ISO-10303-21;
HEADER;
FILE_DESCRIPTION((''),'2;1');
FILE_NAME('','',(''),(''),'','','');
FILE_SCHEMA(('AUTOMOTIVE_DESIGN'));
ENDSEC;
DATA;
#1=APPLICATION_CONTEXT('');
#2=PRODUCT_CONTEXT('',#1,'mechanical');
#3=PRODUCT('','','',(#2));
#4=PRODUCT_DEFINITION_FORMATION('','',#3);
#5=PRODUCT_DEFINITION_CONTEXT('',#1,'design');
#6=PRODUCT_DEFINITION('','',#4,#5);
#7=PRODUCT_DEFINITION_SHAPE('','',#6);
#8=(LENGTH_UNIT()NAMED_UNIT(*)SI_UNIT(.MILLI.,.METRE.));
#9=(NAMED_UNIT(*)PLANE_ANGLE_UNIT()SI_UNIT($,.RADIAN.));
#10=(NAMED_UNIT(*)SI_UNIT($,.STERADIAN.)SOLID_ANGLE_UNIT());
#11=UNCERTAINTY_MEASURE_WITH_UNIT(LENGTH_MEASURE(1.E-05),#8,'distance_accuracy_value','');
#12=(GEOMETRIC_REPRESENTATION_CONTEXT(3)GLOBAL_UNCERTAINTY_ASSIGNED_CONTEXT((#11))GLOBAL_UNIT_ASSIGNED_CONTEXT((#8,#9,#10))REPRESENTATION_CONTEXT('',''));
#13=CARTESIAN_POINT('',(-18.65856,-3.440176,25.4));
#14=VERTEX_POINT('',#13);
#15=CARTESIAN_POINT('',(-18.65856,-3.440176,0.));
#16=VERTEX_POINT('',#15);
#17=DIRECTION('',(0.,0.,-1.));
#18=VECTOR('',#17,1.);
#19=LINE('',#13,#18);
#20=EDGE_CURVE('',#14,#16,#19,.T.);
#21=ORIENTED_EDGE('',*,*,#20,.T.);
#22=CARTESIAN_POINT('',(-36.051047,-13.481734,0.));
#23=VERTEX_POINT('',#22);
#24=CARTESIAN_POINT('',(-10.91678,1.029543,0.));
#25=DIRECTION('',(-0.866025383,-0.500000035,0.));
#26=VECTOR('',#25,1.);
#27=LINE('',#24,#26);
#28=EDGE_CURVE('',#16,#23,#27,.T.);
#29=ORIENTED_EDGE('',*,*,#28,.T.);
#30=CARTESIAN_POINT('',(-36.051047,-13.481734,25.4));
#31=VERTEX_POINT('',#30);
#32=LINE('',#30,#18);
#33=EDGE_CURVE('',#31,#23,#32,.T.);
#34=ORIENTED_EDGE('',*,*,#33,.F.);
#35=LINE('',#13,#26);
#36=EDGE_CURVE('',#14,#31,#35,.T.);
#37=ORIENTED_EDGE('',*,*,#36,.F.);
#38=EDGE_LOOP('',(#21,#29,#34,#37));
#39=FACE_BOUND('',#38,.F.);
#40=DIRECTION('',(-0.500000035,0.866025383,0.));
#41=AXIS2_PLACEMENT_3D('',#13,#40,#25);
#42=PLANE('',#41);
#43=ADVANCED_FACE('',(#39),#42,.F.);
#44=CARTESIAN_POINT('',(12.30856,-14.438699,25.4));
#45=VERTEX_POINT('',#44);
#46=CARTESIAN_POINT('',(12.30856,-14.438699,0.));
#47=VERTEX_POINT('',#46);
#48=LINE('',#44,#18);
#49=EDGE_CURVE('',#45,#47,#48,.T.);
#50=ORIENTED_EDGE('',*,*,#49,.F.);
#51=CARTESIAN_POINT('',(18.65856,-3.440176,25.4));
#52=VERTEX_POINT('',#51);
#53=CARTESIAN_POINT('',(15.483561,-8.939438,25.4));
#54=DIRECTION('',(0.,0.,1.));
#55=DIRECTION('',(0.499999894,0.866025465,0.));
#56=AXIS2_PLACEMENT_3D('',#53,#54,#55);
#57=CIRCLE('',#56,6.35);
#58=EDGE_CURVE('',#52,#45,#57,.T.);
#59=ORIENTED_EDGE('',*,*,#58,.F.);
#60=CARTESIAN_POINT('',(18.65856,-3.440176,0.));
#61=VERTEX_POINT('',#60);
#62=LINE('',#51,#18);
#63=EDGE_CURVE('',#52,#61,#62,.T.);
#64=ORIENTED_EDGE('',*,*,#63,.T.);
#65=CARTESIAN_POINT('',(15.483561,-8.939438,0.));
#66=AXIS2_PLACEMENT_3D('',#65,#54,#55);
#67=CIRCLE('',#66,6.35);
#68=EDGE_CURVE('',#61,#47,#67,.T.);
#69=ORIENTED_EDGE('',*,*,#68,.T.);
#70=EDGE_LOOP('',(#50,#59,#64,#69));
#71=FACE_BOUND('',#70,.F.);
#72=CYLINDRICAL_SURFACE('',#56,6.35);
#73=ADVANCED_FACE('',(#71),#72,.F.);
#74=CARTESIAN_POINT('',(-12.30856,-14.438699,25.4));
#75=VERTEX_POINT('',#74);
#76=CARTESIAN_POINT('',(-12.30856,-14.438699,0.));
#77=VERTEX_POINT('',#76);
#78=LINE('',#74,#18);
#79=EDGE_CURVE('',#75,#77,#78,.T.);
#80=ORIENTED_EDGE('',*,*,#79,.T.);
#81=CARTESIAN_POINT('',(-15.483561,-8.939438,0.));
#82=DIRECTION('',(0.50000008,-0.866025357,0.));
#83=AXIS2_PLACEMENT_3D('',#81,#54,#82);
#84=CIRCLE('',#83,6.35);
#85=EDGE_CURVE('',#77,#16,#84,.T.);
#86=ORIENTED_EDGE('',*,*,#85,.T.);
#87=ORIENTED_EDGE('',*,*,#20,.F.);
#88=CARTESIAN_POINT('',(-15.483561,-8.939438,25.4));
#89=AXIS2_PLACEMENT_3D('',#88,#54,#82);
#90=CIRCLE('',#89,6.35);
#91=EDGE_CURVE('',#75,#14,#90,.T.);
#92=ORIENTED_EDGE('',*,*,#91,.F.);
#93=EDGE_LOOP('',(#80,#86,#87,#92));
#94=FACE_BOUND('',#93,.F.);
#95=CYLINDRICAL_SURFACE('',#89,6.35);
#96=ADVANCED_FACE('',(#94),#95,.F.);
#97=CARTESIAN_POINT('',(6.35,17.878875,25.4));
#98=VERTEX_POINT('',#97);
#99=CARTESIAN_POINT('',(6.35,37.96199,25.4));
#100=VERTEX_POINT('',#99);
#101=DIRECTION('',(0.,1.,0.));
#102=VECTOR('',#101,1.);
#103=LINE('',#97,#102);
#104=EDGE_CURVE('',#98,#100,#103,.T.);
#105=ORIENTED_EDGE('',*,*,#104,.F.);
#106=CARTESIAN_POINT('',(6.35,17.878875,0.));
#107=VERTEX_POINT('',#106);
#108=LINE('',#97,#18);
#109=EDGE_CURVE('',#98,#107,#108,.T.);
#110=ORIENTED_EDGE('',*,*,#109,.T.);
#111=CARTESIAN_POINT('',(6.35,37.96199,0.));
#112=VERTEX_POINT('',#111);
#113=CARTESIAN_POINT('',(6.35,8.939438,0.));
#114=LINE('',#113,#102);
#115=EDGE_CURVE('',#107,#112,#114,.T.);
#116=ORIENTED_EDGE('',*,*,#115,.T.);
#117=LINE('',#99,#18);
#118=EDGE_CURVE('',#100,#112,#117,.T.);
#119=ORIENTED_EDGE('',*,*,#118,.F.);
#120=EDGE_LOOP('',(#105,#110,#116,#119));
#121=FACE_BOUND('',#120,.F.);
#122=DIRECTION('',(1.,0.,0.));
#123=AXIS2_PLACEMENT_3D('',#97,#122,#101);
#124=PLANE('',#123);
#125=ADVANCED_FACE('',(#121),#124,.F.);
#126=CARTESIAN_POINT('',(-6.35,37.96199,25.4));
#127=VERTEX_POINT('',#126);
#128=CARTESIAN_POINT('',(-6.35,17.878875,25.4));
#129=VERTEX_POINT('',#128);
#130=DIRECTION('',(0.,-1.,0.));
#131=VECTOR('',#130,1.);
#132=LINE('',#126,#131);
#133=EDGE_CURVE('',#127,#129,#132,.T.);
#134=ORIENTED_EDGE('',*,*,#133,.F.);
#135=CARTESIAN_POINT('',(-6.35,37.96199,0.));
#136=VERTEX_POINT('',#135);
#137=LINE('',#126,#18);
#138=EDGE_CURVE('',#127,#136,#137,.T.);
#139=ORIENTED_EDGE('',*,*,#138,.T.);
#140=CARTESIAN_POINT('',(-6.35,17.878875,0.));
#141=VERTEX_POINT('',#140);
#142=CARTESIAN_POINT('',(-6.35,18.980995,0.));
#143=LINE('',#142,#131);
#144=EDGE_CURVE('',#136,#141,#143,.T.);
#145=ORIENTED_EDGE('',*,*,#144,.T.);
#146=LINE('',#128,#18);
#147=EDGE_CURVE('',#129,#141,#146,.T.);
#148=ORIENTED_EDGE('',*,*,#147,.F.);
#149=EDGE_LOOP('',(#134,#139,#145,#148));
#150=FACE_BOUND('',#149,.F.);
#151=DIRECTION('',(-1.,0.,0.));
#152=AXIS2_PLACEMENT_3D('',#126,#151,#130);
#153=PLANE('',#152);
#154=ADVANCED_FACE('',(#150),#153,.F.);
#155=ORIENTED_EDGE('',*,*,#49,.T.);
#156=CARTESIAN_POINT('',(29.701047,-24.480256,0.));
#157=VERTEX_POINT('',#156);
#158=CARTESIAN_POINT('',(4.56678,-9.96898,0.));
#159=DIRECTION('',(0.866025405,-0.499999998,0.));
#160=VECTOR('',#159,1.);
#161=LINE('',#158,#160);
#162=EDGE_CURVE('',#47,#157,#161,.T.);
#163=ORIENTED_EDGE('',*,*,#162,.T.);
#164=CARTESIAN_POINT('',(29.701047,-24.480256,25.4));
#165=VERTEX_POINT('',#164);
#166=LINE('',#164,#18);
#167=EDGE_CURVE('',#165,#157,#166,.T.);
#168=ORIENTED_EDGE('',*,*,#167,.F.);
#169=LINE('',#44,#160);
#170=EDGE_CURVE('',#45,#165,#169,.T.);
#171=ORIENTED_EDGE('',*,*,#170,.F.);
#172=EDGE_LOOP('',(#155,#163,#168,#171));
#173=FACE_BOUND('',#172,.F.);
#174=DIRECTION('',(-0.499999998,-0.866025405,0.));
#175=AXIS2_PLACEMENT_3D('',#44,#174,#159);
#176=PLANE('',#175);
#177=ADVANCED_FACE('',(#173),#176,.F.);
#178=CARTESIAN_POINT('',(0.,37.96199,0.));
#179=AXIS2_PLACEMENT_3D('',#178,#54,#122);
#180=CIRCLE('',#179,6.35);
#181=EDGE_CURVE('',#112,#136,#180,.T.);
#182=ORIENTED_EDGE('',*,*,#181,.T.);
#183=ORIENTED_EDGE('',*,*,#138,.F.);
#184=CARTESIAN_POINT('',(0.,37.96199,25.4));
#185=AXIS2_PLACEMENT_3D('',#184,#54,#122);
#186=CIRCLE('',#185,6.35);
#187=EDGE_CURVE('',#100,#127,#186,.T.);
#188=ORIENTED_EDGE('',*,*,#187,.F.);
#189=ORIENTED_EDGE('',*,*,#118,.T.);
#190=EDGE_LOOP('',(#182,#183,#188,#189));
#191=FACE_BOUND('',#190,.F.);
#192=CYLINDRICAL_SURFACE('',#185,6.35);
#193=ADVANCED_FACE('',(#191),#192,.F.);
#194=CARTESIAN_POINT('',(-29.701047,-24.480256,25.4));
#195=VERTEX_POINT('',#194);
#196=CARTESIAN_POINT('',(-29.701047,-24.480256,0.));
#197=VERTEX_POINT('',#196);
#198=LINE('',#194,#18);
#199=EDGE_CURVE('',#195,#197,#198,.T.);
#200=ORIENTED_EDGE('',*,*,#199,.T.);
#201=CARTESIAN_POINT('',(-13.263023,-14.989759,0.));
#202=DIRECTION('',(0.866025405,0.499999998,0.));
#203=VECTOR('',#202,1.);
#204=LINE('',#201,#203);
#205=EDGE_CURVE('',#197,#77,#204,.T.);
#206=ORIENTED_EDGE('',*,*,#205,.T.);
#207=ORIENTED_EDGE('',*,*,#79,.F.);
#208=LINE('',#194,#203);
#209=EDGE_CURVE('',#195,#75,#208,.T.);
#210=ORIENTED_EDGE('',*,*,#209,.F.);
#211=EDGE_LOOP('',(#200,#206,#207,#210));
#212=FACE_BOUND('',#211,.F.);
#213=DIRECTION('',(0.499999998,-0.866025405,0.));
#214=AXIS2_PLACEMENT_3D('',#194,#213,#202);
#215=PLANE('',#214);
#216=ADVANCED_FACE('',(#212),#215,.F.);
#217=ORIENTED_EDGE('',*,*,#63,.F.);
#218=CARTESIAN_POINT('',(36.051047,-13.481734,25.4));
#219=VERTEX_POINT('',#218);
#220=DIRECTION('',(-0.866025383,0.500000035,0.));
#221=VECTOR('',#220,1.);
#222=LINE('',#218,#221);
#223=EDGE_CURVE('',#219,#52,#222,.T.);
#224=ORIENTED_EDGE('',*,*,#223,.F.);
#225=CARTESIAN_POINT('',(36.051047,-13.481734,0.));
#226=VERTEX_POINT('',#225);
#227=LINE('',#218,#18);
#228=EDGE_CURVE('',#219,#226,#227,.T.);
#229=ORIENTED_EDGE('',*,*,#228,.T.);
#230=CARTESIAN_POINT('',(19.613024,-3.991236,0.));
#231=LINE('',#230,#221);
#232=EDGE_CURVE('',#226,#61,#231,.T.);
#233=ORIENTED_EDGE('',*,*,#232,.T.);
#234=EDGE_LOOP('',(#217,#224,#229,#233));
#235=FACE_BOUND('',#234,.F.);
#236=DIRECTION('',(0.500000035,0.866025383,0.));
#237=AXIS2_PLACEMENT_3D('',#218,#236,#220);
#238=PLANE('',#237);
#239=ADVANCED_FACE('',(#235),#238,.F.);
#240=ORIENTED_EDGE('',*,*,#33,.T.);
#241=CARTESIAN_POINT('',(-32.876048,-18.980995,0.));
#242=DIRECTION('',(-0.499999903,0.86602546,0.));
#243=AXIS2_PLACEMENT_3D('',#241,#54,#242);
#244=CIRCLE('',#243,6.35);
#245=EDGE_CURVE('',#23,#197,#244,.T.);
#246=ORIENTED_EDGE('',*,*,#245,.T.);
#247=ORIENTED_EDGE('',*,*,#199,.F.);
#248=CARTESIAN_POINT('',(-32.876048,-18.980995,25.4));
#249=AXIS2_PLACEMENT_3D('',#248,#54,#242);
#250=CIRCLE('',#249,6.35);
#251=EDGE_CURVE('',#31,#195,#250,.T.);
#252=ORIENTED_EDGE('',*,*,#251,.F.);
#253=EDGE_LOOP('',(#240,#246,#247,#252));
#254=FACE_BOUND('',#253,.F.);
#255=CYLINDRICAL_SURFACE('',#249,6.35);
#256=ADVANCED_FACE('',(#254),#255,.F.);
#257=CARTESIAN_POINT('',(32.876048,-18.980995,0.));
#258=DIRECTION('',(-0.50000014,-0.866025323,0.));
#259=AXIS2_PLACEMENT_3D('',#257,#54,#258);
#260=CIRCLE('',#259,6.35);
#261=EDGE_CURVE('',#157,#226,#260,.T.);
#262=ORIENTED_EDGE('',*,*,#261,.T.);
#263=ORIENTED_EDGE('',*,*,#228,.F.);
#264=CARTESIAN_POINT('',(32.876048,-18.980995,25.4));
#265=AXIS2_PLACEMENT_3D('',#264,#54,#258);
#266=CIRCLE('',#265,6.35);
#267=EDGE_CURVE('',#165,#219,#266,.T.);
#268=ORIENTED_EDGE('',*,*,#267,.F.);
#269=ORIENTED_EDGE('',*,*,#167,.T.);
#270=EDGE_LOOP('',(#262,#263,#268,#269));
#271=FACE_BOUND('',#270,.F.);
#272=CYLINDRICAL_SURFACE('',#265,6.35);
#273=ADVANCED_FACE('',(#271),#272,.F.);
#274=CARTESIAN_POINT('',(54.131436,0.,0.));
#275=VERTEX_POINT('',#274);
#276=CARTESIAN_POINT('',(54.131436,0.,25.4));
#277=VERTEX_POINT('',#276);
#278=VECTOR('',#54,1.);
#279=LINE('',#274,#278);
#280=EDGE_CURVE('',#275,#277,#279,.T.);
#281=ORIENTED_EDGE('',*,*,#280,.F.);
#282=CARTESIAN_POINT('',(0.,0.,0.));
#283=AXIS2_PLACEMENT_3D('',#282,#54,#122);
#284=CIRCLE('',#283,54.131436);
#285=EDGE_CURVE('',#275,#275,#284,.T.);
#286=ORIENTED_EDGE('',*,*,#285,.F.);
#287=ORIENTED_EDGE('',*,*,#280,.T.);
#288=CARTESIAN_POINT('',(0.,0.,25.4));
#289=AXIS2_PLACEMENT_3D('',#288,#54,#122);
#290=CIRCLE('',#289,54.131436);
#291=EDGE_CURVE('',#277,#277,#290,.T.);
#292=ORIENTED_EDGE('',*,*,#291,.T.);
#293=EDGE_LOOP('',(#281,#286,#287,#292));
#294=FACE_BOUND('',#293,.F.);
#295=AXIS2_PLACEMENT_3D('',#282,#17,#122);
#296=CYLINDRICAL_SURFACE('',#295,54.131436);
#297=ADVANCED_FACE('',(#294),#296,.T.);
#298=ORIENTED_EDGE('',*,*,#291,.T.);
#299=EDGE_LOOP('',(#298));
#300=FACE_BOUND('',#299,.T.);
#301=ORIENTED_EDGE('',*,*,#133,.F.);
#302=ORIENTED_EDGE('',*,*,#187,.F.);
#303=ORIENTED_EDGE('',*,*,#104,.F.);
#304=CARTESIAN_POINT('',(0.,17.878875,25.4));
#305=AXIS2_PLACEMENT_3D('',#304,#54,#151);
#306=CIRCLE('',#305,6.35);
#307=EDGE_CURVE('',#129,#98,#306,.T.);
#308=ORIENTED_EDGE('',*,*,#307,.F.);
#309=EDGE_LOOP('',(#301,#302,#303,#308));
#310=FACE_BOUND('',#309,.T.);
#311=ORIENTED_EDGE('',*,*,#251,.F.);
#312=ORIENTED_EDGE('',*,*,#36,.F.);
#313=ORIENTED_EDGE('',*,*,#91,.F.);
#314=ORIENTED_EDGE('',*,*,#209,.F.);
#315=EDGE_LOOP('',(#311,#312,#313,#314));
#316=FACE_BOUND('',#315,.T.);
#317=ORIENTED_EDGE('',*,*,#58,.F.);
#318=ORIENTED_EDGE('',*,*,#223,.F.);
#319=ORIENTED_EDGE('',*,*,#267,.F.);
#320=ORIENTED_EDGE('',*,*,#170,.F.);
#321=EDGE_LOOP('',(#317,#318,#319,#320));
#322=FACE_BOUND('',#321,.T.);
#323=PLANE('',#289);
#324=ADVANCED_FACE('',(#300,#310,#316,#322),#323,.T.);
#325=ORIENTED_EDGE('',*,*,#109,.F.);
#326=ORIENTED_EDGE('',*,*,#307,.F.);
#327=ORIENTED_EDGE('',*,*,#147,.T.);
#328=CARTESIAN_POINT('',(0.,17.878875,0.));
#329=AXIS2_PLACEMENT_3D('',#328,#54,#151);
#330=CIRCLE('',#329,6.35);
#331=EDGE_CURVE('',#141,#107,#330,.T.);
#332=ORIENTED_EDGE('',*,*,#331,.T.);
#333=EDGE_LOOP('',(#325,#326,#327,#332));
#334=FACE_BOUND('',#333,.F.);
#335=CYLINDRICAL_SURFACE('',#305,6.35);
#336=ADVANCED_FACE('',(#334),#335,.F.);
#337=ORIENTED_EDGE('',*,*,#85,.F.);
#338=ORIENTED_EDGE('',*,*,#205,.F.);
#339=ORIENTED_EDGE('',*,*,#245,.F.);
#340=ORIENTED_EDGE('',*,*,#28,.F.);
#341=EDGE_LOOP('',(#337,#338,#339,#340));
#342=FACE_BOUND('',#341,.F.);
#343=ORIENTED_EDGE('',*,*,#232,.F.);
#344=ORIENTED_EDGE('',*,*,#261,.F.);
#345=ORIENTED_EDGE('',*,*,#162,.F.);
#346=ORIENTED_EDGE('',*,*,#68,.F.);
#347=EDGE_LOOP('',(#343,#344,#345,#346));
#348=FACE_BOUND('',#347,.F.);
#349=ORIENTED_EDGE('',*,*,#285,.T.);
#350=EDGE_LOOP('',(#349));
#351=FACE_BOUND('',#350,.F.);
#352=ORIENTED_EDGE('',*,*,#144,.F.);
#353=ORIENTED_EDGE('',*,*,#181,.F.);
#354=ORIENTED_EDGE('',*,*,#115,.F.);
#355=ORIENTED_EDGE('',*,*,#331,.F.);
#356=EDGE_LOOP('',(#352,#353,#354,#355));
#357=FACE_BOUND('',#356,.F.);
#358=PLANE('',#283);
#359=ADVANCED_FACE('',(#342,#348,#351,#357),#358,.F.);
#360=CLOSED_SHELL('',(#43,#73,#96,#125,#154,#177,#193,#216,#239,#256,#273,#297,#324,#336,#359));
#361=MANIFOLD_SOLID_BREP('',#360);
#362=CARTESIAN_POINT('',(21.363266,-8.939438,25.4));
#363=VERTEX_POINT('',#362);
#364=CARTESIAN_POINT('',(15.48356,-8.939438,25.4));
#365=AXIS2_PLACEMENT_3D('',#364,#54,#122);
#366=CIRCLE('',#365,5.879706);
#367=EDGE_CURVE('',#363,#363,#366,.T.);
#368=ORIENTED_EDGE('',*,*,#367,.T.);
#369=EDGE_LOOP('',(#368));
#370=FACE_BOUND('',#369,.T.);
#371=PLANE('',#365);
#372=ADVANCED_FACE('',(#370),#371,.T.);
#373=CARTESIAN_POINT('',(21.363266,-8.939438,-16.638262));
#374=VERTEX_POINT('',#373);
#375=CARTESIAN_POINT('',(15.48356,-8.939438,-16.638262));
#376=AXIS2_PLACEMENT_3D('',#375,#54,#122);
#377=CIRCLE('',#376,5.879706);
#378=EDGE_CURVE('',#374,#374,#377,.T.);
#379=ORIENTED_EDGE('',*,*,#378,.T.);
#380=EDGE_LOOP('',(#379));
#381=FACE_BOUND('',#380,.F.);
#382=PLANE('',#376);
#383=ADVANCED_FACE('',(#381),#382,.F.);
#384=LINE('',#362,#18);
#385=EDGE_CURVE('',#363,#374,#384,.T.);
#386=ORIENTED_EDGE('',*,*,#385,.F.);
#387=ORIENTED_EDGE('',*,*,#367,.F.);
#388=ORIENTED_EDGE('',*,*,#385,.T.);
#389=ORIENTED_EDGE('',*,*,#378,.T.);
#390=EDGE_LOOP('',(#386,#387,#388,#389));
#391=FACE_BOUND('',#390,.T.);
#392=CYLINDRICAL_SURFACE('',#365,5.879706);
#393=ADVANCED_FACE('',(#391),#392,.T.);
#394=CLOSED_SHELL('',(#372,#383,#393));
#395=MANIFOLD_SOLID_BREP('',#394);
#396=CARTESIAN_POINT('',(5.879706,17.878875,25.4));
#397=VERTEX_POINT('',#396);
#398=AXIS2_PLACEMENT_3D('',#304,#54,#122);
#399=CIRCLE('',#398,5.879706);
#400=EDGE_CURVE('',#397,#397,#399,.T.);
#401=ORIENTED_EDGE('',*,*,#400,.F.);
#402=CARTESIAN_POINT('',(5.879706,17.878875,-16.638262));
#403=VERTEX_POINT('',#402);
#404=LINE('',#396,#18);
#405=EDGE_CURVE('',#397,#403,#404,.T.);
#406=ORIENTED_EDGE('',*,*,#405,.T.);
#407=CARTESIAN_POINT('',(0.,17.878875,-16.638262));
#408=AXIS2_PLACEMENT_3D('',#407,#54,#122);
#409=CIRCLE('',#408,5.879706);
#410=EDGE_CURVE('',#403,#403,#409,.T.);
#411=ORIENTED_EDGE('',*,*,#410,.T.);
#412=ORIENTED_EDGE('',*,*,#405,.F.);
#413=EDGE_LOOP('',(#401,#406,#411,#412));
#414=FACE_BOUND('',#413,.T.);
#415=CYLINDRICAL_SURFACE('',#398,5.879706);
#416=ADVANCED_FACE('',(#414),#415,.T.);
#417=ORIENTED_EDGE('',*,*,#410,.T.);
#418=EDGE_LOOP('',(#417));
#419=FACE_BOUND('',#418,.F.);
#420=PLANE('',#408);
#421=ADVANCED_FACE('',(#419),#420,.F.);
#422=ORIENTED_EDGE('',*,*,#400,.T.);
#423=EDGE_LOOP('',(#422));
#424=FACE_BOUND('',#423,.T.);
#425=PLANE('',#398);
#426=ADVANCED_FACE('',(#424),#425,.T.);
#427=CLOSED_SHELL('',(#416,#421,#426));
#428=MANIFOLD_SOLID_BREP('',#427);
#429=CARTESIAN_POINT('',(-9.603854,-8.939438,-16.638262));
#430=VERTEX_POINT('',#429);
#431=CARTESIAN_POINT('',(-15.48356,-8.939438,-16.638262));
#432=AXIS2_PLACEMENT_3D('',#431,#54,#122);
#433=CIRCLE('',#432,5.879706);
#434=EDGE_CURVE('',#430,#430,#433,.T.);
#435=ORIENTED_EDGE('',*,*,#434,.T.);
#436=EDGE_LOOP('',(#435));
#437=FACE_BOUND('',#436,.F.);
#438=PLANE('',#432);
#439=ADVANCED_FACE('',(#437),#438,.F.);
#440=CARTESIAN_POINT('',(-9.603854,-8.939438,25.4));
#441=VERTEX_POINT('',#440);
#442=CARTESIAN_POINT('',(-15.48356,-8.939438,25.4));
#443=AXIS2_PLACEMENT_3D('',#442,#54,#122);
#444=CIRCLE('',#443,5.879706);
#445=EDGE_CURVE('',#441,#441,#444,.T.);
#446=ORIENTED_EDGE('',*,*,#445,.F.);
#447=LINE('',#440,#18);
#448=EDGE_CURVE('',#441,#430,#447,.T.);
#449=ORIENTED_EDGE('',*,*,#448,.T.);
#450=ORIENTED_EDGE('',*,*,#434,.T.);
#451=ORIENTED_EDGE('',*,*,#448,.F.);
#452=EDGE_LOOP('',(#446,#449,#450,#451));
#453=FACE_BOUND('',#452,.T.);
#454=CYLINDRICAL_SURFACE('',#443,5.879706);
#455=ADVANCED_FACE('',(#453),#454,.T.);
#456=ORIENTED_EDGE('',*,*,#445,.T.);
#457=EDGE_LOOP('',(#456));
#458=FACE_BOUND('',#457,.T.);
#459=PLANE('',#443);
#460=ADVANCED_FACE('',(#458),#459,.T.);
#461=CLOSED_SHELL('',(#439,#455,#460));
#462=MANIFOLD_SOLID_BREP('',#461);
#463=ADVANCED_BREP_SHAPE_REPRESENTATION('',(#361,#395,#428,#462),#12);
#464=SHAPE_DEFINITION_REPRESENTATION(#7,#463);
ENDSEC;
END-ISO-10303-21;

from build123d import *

# Parameters (mm, degrees)
F0_R     = 54.131436
F1_DEPTH = 25.4
F3_DEPTH = 25.401
F4_R     = 5.879706
F5_DEPTH = 42.038262


with BuildPart() as f1:
    # F0 (on Top) → F1 (new body)
    with BuildSketch(Plane.XY):
        Circle(F0_R)
    extrude(amount=F1_DEPTH)

    # F2 (on face) → F3 (cut, through all)
    with BuildSketch(Plane.XY.offset(25.4)):
        with BuildLine():
            ThreePointArc((-36.051047, -13.481734), (-38.375309, -22.155995), (-29.701047, -24.480256))
            Line((-29.701047, -24.480256), (-12.30856, -14.438699))
            ThreePointArc((-12.30856, -14.438699), (-9.984299, -5.764438), (-18.65856, -3.440176))
            Line((-18.65856, -3.440176), (-36.051047, -13.481734))
        make_face()
        with BuildLine():
            ThreePointArc((6.35, 37.96199), (0, 44.31199), (-6.35, 37.96199))
            Line((-6.35, 37.96199), (-6.35, 17.878875))
            ThreePointArc((-6.35, 17.878875), (0, 11.528875), (6.35, 17.878875))
            Line((6.35, 17.878875), (6.35, 37.96199))
        make_face()
        with BuildLine():
            ThreePointArc((29.701047, -24.480256), (38.375309, -22.155995), (36.051047, -13.481734))
            Line((36.051047, -13.481734), (18.65856, -3.440176))
            ThreePointArc((18.65856, -3.440176), (9.984299, -5.764438), (12.30856, -14.438699))
            Line((12.30856, -14.438699), (29.701047, -24.480256))
        make_face()
    extrude(amount=-F3_DEPTH, mode=Mode.SUBTRACT)


with BuildPart() as f5:
    # F4 (on face) → F5 (new body)
    with BuildSketch(Plane.XY.offset(25.4)):
        with Locations((-15.48356, -8.939438)):
            Circle(F4_R)
        with Locations((15.48356, -8.939438)):
            Circle(F4_R)
        with Locations((0, 17.878875)):
            Circle(F4_R)
    extrude(amount=-F5_DEPTH)


solid = Compound([f1.part, f5.part])
